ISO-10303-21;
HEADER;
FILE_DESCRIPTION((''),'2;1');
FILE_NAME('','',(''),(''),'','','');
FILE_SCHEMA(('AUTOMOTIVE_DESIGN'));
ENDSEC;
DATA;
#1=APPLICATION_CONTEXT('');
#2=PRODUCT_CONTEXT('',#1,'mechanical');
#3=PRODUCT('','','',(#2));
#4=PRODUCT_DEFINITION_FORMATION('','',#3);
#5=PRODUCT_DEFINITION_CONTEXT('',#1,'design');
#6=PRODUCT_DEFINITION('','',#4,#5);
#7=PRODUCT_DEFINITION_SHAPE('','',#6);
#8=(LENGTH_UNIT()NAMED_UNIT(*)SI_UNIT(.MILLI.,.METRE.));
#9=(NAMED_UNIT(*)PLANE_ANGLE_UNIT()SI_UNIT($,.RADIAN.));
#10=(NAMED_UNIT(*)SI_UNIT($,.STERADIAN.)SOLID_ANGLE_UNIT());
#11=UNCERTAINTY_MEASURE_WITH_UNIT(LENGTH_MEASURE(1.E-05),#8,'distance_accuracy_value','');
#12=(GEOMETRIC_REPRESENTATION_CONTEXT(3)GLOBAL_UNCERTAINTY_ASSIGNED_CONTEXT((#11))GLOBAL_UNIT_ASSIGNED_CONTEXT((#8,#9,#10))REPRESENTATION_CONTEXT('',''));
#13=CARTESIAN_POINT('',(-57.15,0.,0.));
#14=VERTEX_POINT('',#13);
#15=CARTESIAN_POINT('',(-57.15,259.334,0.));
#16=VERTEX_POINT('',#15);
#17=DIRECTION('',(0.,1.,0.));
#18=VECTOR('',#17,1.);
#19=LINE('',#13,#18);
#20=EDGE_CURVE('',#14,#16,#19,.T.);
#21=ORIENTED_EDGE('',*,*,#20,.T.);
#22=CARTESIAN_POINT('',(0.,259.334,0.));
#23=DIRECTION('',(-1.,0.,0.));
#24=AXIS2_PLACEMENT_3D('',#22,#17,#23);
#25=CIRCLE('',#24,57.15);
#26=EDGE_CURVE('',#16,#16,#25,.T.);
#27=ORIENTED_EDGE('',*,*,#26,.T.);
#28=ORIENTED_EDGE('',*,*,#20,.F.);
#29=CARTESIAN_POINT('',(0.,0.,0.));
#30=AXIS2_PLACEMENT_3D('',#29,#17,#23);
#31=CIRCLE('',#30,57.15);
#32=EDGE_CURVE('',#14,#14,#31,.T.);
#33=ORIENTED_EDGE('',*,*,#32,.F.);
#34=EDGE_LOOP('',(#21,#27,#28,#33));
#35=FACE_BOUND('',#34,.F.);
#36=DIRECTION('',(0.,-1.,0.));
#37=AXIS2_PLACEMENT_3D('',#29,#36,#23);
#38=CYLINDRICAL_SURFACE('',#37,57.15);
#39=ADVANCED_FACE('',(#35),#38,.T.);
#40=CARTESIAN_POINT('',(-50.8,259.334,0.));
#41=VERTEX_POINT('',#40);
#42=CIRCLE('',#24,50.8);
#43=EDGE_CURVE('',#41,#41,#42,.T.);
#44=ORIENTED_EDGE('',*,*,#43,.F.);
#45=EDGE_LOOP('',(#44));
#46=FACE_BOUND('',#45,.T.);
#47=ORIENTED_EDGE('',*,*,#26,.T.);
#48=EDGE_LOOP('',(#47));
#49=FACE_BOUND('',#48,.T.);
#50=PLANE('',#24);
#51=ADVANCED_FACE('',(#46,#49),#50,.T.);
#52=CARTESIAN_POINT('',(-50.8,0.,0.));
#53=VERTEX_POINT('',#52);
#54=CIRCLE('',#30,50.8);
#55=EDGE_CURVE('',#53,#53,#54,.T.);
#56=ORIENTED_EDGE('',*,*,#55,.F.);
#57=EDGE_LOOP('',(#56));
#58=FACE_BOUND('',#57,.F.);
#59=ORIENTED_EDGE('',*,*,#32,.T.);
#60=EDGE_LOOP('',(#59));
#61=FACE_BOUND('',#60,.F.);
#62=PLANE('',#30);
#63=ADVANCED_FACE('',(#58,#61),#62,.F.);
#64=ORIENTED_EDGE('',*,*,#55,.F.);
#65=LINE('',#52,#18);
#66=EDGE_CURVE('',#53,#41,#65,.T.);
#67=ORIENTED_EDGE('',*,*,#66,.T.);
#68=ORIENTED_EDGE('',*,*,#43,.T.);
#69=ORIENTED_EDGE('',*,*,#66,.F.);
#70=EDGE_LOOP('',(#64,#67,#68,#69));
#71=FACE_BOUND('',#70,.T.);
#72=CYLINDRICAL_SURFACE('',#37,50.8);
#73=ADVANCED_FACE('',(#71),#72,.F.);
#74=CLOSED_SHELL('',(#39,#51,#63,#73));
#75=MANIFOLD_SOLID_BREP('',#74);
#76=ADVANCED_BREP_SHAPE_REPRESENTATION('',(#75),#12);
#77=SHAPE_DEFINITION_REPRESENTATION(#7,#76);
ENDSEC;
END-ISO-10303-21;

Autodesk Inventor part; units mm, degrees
ref_plane "YZ Plane" through (0, 0, 0) normal (1, 0, 0) x (0, 1, 0)
ref_plane "XZ Plane" through (0, 0, 0) normal (0, 1, 0) x (-1, 0, 0)
ref_plane "XY Plane" through (0, 0, 0) normal (0, 0, 1) x (1, 0, 0)
sketch "Sketch1" plane through (0, 0, 0) normal (0, 1, 0) x (-1, 0, 0)
  circle A0 centre (0, 0) radius 50.8
  circle A1 centre (0, 0) radius 57.15
  dimension "d0" = 101.6
  dimension "d1" = 114.3
extrude "Extrusion1" add sketch "Sketch1" along normal blind 259.334
properties part number "Wash_Chamber_Pipe" material "Plastic, Transparent"
